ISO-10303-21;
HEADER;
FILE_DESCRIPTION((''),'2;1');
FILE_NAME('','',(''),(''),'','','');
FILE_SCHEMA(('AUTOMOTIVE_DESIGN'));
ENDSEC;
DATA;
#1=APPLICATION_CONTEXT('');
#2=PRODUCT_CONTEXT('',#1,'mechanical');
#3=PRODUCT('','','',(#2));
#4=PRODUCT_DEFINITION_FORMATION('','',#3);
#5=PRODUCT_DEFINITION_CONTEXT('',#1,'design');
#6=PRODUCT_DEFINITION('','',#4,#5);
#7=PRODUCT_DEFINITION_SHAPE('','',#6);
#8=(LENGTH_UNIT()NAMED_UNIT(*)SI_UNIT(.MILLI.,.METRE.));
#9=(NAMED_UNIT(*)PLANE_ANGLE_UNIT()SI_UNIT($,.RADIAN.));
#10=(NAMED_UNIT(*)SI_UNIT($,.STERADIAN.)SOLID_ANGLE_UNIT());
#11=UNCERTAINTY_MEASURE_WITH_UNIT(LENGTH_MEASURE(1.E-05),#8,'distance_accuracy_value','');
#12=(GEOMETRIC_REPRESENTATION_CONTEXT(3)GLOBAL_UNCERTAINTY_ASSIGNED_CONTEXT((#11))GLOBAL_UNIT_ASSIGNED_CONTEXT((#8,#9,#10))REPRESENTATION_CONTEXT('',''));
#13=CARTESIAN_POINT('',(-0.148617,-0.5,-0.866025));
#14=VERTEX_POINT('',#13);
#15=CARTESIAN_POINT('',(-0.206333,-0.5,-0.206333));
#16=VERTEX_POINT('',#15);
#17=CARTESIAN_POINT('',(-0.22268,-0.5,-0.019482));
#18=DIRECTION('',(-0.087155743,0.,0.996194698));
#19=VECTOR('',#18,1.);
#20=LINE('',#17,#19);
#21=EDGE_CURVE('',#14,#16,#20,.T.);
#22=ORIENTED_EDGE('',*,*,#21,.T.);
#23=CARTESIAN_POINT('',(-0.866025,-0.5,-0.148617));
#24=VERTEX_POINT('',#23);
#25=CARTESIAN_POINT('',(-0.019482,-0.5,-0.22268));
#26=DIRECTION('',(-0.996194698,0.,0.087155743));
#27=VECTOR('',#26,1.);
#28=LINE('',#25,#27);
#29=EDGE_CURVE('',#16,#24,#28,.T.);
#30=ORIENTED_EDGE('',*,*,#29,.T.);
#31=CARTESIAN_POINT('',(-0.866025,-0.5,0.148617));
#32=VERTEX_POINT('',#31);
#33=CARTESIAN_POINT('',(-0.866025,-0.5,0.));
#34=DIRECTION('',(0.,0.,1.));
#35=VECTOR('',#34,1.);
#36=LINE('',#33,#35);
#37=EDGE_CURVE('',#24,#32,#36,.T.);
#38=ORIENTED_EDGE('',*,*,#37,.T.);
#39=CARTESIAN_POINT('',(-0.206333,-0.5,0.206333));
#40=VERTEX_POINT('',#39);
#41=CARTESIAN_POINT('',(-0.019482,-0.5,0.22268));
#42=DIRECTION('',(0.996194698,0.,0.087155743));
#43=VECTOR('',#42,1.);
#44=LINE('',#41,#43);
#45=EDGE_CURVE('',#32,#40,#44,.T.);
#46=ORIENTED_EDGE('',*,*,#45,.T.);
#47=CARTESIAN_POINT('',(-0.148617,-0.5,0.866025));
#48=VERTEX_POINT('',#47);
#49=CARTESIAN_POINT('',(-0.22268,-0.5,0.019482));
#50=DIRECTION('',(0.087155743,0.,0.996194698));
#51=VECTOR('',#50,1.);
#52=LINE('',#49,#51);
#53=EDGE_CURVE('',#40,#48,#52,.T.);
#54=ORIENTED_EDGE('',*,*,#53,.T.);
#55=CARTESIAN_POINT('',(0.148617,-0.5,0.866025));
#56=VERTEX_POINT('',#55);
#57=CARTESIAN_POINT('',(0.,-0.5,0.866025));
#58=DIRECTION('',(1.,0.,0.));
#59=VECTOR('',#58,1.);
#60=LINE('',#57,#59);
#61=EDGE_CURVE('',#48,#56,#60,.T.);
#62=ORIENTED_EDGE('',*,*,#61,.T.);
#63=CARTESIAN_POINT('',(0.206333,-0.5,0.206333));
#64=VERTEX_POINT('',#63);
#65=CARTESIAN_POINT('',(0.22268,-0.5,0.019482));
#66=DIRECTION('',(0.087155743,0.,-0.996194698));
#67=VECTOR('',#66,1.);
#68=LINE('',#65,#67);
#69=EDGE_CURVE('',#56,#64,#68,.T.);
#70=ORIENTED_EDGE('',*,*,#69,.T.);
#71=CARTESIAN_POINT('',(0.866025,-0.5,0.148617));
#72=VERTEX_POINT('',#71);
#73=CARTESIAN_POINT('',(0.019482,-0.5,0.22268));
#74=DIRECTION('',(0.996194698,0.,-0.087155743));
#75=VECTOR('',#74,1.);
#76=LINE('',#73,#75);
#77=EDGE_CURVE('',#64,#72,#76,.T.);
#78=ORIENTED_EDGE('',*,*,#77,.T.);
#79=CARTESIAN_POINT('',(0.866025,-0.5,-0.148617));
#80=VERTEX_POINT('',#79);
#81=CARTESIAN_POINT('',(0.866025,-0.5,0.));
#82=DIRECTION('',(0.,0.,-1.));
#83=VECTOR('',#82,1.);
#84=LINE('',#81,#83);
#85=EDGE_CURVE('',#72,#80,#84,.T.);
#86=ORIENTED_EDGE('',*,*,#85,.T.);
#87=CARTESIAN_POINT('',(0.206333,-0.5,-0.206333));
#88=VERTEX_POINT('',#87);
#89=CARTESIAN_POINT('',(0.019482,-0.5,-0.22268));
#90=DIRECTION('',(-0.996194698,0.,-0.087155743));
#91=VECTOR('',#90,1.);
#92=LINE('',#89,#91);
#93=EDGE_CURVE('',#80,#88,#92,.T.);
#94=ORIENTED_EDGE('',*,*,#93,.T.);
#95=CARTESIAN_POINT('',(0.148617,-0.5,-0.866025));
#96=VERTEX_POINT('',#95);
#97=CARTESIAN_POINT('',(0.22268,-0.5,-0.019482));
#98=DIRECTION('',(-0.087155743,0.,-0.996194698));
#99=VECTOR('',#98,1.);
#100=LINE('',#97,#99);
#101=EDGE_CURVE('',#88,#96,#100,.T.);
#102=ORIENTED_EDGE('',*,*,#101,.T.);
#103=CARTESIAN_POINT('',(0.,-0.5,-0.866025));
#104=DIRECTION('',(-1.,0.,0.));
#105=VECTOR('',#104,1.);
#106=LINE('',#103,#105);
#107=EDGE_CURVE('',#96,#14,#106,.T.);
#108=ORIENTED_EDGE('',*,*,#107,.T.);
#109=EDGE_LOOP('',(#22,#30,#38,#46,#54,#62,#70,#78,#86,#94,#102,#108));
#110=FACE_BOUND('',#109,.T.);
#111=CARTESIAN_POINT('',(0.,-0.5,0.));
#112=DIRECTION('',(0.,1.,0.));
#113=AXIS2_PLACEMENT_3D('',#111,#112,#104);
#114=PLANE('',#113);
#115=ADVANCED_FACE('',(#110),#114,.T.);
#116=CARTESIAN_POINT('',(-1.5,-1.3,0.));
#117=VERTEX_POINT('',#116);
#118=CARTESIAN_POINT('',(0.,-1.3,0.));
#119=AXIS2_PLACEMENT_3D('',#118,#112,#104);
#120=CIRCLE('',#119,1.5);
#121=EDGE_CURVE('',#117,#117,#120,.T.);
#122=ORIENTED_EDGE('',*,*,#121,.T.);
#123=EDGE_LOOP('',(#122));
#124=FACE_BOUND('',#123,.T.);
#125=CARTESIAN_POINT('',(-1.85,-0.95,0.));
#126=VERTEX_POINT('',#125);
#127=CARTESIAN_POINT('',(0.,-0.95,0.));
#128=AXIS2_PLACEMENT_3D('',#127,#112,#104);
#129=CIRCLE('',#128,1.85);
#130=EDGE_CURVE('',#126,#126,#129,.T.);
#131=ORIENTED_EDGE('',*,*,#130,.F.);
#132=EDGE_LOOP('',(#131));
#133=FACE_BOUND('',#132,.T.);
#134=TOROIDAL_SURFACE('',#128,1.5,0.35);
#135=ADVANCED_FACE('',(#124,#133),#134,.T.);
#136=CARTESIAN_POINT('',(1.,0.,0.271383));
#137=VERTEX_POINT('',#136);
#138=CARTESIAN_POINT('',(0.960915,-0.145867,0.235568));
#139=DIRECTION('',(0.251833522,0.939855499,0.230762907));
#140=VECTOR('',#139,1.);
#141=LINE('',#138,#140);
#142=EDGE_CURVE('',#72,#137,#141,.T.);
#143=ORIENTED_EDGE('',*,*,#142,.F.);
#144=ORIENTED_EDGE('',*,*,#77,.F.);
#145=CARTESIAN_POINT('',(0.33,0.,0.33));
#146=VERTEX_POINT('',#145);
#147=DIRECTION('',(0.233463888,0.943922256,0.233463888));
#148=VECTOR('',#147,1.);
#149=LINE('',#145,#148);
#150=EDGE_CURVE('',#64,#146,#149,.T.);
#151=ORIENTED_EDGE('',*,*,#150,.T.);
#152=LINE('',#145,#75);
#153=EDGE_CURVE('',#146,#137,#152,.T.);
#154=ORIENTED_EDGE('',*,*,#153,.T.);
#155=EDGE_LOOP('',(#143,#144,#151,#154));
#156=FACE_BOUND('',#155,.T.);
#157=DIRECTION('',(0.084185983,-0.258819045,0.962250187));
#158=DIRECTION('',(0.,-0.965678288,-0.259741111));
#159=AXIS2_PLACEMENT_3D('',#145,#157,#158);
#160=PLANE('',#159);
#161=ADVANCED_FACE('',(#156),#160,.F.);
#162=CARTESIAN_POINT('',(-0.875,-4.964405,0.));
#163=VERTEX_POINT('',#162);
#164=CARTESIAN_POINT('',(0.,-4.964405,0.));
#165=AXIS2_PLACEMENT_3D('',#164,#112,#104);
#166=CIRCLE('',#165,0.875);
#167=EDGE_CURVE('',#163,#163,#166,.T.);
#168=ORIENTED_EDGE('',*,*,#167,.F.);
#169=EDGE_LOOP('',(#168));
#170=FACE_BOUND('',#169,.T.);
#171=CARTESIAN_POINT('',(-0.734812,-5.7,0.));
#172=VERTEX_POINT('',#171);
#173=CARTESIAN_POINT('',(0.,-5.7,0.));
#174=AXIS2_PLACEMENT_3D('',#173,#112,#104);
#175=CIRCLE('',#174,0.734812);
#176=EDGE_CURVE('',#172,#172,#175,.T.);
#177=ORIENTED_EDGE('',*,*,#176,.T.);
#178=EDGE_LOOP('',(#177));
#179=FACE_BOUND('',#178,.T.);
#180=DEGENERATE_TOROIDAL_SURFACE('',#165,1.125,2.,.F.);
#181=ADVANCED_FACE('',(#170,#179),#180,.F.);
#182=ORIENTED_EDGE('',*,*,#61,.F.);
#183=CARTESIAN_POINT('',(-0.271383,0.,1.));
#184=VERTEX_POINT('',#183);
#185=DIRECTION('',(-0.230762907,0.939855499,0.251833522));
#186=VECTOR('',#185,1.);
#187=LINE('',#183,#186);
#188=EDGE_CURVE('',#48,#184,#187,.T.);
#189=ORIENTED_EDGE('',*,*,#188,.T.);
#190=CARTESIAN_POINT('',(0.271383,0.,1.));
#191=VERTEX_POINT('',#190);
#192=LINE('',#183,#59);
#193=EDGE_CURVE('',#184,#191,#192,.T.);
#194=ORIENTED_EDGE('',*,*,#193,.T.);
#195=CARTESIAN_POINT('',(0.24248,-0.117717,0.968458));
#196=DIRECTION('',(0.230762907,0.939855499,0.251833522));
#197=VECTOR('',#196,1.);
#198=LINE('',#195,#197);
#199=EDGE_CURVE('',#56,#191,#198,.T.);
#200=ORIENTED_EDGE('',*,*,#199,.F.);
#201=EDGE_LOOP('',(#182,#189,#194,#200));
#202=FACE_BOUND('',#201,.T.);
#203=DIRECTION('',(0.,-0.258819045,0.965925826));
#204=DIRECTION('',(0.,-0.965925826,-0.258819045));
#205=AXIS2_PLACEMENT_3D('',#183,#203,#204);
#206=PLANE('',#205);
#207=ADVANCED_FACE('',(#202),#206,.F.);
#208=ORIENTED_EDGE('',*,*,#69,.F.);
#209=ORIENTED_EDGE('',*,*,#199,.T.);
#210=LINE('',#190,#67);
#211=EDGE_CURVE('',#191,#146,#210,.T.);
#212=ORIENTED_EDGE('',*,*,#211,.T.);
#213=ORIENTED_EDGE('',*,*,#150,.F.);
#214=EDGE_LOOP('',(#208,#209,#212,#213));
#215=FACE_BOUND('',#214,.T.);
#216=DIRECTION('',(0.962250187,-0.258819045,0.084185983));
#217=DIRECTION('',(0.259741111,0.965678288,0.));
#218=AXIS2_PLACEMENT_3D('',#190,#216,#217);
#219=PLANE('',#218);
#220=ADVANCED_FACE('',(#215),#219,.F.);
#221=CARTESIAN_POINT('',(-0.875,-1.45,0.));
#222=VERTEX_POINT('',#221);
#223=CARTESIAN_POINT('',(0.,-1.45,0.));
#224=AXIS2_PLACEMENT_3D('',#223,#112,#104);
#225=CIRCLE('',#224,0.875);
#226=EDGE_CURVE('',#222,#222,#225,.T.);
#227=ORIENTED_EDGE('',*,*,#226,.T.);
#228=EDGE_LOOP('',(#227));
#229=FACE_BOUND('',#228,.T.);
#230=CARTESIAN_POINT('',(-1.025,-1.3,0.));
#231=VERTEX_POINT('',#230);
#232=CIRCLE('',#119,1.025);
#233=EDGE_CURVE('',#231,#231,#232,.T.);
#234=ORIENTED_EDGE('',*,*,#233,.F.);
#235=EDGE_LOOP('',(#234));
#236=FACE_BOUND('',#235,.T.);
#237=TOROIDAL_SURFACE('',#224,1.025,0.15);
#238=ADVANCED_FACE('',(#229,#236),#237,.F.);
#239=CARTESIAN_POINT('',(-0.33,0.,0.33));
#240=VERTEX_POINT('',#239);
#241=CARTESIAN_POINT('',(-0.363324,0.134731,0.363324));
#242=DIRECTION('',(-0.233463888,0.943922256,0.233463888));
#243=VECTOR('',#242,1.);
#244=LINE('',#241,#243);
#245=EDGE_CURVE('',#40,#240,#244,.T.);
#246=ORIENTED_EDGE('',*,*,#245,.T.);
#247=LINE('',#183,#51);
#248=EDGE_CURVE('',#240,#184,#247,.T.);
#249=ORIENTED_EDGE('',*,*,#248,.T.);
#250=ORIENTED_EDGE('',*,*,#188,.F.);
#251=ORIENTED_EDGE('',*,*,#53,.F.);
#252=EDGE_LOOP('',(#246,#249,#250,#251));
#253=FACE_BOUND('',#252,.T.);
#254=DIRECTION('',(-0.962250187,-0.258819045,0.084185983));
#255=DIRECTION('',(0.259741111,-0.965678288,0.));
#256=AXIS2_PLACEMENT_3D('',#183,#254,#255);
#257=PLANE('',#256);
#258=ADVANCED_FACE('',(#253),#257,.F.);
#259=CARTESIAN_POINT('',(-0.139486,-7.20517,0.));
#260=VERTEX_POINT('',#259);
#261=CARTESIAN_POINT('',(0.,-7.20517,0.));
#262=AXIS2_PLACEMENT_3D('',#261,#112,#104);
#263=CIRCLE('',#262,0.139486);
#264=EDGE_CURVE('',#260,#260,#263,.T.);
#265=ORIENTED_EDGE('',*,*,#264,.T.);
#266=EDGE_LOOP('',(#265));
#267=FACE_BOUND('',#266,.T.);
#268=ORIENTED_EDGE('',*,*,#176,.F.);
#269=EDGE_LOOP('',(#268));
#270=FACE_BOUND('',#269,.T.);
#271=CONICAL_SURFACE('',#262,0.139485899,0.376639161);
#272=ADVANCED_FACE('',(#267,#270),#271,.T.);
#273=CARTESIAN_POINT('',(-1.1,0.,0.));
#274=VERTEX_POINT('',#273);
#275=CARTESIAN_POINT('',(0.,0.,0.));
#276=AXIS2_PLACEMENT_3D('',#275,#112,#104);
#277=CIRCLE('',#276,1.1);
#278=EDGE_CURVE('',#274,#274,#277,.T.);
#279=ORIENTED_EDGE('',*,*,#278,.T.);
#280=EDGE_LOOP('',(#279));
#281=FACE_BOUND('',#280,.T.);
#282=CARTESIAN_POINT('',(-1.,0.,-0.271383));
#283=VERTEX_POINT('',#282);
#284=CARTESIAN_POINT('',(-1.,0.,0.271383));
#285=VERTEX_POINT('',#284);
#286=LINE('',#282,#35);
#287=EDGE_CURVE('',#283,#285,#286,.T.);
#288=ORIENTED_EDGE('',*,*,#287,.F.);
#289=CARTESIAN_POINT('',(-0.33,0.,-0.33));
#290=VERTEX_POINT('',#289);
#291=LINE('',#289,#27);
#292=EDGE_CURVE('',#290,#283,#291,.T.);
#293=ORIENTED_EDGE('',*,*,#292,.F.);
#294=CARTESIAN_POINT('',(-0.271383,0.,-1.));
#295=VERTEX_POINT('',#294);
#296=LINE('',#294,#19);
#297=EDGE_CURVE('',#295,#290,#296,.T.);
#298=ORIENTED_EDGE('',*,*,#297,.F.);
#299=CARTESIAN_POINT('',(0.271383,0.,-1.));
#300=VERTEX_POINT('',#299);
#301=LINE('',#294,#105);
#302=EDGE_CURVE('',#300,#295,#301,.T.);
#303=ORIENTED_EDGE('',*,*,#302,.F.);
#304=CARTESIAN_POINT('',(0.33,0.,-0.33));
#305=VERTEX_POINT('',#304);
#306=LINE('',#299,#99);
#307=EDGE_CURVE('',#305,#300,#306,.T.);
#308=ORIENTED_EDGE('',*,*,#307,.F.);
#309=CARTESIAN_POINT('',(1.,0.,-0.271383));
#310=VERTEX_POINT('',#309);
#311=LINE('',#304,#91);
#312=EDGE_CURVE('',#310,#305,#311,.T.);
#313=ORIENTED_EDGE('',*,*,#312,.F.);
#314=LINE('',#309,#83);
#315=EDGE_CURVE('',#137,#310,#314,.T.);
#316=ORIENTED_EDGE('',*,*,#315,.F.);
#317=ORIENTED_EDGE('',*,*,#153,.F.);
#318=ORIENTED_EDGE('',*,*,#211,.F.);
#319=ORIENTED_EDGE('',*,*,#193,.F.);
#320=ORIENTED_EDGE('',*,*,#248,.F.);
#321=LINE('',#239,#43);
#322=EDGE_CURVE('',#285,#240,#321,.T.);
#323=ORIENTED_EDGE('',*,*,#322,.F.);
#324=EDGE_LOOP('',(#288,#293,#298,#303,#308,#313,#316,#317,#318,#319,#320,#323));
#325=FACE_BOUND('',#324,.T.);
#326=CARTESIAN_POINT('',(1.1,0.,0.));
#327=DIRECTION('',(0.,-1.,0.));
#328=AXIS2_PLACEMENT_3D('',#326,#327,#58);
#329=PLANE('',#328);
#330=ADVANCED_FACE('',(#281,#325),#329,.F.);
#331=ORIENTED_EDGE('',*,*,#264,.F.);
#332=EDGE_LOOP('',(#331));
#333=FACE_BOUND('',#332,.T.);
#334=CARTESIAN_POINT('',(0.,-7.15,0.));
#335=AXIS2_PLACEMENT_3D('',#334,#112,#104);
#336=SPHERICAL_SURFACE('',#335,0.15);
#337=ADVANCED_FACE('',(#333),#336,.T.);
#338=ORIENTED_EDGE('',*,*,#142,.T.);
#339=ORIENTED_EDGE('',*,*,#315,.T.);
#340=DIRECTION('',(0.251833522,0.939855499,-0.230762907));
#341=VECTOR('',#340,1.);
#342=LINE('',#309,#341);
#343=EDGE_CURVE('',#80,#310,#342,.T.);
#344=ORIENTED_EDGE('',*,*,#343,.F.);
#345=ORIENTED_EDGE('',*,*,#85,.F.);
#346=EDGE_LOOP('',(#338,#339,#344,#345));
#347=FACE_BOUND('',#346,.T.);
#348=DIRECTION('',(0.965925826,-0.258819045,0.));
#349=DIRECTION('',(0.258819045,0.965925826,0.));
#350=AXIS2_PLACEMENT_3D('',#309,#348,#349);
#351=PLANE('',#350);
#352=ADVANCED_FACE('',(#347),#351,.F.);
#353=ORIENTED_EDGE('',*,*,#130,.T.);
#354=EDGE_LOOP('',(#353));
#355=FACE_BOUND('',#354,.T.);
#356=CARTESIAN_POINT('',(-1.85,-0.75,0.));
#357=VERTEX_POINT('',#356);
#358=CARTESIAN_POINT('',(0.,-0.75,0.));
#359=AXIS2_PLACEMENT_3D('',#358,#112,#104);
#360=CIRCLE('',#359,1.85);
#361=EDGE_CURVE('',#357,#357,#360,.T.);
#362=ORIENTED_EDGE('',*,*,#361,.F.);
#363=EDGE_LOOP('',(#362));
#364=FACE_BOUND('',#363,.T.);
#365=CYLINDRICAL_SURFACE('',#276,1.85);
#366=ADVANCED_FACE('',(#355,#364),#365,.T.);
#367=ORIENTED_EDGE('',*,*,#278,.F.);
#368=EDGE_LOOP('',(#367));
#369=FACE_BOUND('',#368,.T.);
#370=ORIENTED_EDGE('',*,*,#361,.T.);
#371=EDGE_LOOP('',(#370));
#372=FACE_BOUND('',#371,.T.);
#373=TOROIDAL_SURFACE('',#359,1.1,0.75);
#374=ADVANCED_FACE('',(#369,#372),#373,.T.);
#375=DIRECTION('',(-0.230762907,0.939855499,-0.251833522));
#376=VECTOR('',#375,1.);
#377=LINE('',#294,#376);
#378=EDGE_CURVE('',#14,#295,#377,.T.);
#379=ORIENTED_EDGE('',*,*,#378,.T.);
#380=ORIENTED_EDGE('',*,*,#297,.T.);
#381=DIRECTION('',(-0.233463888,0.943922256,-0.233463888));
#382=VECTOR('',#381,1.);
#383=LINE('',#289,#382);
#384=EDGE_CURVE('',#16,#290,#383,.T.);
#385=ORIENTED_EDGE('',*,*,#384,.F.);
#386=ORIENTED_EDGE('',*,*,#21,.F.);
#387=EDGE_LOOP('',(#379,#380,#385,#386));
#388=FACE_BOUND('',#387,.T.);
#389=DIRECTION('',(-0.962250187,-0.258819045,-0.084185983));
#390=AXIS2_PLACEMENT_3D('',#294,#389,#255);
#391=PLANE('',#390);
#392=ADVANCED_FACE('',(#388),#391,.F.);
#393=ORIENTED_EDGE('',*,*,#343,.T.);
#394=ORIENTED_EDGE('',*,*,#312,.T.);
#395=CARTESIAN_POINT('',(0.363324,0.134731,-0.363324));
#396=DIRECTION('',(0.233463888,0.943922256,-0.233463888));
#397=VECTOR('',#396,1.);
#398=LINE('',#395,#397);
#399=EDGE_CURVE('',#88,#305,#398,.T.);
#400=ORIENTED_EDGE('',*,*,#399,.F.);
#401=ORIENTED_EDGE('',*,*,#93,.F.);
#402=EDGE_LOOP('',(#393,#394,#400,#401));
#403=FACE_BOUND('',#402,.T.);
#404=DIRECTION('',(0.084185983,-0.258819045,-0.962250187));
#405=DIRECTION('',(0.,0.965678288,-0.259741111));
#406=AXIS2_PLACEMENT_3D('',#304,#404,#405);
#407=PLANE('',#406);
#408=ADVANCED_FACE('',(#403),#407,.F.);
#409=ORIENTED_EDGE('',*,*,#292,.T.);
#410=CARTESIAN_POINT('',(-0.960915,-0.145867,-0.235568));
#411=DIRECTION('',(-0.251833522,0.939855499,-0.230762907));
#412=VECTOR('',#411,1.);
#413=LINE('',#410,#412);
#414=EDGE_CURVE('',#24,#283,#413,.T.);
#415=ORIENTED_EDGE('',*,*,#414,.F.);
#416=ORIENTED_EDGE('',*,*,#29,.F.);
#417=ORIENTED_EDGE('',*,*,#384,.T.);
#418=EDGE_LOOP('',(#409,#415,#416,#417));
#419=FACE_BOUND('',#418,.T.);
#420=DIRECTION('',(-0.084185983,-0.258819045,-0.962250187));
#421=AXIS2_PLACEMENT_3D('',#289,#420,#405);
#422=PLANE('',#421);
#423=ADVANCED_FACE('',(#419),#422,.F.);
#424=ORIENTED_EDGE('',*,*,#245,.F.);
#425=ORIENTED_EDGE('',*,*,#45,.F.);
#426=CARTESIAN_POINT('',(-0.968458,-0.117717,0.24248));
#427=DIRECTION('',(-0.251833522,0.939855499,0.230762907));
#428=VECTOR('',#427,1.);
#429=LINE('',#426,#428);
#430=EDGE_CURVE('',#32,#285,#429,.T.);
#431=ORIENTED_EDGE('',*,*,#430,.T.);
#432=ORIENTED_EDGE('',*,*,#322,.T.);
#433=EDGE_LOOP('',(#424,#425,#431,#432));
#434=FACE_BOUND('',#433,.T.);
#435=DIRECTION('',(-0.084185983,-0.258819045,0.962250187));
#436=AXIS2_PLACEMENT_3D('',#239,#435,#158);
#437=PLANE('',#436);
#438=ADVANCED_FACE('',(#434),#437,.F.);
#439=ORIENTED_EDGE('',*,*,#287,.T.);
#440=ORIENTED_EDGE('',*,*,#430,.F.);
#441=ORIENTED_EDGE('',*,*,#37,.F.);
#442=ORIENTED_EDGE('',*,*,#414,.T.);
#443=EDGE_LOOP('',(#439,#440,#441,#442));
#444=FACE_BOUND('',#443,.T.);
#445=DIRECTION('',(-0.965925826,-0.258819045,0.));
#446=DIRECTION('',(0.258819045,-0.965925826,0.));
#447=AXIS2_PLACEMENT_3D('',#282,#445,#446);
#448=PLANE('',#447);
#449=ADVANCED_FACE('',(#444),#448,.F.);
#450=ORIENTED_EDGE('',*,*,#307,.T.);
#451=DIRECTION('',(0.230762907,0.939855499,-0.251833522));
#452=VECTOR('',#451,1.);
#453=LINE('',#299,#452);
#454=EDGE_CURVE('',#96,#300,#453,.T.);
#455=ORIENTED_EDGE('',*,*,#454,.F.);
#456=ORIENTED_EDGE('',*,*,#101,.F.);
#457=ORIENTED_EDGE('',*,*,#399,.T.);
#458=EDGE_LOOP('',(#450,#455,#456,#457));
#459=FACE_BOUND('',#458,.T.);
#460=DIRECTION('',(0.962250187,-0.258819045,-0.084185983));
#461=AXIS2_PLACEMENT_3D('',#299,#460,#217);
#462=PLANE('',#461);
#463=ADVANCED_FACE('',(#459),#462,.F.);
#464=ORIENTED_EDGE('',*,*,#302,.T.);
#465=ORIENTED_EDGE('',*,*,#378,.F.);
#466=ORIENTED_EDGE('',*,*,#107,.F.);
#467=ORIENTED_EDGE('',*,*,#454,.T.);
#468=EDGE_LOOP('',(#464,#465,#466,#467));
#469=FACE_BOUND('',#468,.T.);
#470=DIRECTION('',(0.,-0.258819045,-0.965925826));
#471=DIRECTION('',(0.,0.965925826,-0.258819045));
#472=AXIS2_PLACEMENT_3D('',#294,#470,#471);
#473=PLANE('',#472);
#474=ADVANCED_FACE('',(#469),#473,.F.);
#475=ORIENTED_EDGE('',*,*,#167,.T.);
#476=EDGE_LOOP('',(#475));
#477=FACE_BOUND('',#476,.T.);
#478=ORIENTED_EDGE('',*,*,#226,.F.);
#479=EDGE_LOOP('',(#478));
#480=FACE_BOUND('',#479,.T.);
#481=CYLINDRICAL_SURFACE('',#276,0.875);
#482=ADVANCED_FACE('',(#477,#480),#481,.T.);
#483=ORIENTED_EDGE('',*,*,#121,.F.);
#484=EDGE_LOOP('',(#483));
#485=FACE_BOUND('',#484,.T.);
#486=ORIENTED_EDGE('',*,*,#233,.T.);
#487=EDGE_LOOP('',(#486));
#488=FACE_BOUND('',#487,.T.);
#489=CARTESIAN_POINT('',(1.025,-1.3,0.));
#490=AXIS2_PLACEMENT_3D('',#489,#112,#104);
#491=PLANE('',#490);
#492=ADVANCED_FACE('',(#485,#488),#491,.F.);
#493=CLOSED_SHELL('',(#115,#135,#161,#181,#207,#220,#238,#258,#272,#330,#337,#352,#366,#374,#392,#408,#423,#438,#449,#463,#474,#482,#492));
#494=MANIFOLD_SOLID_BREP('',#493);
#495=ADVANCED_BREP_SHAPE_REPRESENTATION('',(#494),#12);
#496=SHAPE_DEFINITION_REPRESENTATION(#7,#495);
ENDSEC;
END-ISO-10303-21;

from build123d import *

# Parameters (mm, degrees)
CUT_EXTRUDE1_DEPTH = 0.5
CUT_EXTRUDE1_TAPER = 15


with BuildPart() as part:
    # Sketch1 → Revolve1 (revolve)
    with BuildSketch(Plane.XY):
        with BuildLine():
            Line((0.875, -4.964405423), (0.875, -1.45))
            ThreePointArc((0.875, -1.45), (0.918933983, -1.343933983), (1.025, -1.3))
            Line((1.025, -1.3), (1.5, -1.3))
            ThreePointArc((1.5, -1.3), (1.747487373, -1.197487373), (1.85, -0.95))
            Line((1.85, -0.95), (1.85, -0.75))
            ThreePointArc((1.85, -0.75), (1.630330086, -0.219669914), (1.1, 0))
            Line((1.1, 0), (0, 0))
            Line((0, 0), (0, -7.3))
            ThreePointArc((0, -7.3), (0.084334338, -7.274047247), (0.139485899, -7.205169593))
            Line((0.139485899, -7.205169593), (0.734811985, -5.7))
            ThreePointArc((0.734811985, -5.7), (0.839640421, -5.338822324), (0.875, -4.964405423))
        make_face()
    revolve(axis=Axis((0, 0, 0), (0, -1, 0)))

    # Sketch2 → Cut-Extrude1 (cut)
    with BuildSketch(Plane(origin=(0, 0, 0), x_dir=(1, 0, 0), z_dir=(0, 1, 0))):
        Polygon((-0.271382595, 1), (-0.33, 0.33), (-1, 0.271382595), (-1, -0.271382595), (-0.33, -0.33), (-0.271382595, -1), (0.271382595, -1), (0.33, -0.33), (1, -0.271382595), (1, 0.271382595), (0.33, 0.33), (0.271382595, 1), align=None)
    extrude(amount=-CUT_EXTRUDE1_DEPTH, taper=CUT_EXTRUDE1_TAPER, mode=Mode.SUBTRACT)


solid = part.part
